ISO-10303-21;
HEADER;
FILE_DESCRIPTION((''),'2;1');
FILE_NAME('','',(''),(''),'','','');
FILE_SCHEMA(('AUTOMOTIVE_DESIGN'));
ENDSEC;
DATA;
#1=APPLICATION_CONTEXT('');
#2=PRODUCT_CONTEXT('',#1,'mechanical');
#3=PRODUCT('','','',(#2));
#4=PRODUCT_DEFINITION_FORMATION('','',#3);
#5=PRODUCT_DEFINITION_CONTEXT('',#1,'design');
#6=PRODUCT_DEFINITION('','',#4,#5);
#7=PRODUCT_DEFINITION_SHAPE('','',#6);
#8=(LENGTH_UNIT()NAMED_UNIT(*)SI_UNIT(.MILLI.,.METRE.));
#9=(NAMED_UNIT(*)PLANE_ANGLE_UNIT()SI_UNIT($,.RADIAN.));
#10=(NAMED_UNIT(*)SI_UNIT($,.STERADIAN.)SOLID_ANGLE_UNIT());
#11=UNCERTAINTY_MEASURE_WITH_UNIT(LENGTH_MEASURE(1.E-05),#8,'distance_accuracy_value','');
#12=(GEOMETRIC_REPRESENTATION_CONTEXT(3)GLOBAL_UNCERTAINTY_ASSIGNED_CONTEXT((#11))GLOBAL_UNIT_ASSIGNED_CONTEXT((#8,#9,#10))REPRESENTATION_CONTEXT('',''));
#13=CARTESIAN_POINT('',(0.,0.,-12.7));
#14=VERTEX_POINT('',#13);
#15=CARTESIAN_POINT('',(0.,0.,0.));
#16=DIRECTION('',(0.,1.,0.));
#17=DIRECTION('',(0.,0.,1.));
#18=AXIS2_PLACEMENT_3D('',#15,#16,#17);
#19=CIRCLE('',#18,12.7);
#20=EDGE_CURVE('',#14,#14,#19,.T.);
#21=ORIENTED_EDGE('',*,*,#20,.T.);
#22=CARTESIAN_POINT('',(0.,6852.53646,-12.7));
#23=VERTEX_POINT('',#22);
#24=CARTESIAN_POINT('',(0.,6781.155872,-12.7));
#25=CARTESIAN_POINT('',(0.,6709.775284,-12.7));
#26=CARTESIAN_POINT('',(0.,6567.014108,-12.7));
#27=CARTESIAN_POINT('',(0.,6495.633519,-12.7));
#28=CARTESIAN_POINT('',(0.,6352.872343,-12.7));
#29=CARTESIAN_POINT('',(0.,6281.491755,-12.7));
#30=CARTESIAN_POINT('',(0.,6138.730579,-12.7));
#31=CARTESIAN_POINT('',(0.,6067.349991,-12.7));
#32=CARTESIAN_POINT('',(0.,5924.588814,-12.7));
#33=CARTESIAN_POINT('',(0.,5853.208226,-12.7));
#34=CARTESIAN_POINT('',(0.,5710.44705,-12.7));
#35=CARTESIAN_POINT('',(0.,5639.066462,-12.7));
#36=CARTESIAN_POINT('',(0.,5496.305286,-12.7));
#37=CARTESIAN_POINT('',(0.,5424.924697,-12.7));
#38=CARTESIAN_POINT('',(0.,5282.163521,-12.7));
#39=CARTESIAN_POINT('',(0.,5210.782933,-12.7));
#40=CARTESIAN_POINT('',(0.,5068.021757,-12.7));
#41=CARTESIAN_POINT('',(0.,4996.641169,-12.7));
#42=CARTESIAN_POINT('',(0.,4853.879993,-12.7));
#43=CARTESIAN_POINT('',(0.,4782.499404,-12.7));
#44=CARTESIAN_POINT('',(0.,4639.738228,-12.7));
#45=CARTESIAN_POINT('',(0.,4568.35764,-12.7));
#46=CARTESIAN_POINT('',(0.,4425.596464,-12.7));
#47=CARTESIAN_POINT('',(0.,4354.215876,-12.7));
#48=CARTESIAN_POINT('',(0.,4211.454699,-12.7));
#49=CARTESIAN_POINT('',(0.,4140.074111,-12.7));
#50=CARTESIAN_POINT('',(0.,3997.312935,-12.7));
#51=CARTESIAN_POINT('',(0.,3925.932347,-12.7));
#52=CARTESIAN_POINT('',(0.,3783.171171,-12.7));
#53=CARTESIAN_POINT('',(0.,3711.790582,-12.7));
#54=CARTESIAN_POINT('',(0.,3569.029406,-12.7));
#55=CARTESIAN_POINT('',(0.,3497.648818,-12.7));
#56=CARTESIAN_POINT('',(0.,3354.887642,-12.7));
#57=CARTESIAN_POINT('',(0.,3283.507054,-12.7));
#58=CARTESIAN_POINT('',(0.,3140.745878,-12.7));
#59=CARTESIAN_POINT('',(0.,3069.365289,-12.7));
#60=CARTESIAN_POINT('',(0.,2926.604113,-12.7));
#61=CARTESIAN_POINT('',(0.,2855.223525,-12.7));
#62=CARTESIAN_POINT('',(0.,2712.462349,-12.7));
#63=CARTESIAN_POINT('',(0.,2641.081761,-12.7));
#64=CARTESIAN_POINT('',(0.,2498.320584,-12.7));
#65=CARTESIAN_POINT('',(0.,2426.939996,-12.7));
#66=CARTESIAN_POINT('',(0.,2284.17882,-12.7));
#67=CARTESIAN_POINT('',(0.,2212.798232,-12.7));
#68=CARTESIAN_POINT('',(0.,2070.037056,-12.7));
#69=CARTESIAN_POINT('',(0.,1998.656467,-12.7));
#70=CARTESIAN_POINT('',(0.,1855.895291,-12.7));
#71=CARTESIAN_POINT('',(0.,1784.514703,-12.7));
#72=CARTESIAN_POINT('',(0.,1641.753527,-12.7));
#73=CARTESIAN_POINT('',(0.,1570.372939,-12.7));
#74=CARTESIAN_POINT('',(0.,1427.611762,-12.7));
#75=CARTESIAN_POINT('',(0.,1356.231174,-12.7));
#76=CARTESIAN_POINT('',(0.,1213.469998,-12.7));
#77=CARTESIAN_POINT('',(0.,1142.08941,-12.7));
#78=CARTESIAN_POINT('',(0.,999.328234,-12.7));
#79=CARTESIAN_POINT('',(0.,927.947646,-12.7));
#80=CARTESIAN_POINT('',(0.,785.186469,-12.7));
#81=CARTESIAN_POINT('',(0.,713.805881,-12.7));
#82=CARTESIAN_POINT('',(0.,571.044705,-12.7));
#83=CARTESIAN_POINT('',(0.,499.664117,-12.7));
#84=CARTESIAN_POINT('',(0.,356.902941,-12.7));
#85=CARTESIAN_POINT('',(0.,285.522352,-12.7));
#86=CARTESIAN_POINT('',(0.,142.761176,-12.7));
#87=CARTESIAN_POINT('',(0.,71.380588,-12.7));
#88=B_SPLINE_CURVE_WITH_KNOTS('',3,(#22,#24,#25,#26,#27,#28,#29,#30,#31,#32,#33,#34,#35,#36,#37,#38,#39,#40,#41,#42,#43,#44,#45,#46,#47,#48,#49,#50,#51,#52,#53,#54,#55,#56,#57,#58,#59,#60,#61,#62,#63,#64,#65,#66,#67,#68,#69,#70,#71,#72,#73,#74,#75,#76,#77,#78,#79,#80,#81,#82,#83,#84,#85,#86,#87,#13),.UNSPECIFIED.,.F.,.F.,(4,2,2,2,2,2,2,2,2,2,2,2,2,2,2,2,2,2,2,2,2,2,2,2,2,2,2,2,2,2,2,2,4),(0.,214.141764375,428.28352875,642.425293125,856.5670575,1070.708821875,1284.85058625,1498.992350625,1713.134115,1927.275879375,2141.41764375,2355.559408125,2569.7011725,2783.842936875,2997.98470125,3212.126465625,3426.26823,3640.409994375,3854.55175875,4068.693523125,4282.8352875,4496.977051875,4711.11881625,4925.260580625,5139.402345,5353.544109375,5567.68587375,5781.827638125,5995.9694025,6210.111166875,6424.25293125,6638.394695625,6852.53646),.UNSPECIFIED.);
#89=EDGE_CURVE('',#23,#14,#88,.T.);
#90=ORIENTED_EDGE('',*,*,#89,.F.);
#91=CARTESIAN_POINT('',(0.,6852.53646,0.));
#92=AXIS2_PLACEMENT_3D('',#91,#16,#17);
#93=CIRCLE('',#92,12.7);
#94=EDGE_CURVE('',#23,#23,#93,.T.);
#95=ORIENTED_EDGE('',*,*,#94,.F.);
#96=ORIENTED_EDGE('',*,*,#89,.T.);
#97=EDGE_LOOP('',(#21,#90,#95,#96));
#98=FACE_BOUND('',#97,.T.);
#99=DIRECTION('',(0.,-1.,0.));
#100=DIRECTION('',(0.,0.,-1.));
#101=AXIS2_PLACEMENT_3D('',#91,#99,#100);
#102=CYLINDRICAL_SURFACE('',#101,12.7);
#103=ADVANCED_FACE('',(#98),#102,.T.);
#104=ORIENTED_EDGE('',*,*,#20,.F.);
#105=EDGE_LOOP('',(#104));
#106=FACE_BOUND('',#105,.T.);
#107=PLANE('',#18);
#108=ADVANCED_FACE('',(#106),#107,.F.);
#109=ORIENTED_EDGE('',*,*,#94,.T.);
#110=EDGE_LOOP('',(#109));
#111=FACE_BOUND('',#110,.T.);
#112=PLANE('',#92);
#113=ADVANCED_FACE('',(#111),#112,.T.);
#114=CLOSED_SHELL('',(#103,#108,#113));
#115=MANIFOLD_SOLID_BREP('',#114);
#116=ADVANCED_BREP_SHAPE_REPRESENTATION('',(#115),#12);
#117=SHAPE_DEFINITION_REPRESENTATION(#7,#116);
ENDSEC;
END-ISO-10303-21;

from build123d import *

# Parameters (mm, degrees)
SKETCH1_R           = 12.7
BOSS_EXTRUDE3_DEPTH = 6852.53646


with BuildPart() as part:
    # Sketch1 → Boss-Extrude3 (new body)
    with BuildSketch(Plane(origin=(0, 0, 0), x_dir=(1, 0, 0), z_dir=(0, 1, 0))):
        with Locations(Location((0, 0, 0), (0, 0, 90))):
            Circle(SKETCH1_R)
    extrude(amount=BOSS_EXTRUDE3_DEPTH)


solid = part.part
